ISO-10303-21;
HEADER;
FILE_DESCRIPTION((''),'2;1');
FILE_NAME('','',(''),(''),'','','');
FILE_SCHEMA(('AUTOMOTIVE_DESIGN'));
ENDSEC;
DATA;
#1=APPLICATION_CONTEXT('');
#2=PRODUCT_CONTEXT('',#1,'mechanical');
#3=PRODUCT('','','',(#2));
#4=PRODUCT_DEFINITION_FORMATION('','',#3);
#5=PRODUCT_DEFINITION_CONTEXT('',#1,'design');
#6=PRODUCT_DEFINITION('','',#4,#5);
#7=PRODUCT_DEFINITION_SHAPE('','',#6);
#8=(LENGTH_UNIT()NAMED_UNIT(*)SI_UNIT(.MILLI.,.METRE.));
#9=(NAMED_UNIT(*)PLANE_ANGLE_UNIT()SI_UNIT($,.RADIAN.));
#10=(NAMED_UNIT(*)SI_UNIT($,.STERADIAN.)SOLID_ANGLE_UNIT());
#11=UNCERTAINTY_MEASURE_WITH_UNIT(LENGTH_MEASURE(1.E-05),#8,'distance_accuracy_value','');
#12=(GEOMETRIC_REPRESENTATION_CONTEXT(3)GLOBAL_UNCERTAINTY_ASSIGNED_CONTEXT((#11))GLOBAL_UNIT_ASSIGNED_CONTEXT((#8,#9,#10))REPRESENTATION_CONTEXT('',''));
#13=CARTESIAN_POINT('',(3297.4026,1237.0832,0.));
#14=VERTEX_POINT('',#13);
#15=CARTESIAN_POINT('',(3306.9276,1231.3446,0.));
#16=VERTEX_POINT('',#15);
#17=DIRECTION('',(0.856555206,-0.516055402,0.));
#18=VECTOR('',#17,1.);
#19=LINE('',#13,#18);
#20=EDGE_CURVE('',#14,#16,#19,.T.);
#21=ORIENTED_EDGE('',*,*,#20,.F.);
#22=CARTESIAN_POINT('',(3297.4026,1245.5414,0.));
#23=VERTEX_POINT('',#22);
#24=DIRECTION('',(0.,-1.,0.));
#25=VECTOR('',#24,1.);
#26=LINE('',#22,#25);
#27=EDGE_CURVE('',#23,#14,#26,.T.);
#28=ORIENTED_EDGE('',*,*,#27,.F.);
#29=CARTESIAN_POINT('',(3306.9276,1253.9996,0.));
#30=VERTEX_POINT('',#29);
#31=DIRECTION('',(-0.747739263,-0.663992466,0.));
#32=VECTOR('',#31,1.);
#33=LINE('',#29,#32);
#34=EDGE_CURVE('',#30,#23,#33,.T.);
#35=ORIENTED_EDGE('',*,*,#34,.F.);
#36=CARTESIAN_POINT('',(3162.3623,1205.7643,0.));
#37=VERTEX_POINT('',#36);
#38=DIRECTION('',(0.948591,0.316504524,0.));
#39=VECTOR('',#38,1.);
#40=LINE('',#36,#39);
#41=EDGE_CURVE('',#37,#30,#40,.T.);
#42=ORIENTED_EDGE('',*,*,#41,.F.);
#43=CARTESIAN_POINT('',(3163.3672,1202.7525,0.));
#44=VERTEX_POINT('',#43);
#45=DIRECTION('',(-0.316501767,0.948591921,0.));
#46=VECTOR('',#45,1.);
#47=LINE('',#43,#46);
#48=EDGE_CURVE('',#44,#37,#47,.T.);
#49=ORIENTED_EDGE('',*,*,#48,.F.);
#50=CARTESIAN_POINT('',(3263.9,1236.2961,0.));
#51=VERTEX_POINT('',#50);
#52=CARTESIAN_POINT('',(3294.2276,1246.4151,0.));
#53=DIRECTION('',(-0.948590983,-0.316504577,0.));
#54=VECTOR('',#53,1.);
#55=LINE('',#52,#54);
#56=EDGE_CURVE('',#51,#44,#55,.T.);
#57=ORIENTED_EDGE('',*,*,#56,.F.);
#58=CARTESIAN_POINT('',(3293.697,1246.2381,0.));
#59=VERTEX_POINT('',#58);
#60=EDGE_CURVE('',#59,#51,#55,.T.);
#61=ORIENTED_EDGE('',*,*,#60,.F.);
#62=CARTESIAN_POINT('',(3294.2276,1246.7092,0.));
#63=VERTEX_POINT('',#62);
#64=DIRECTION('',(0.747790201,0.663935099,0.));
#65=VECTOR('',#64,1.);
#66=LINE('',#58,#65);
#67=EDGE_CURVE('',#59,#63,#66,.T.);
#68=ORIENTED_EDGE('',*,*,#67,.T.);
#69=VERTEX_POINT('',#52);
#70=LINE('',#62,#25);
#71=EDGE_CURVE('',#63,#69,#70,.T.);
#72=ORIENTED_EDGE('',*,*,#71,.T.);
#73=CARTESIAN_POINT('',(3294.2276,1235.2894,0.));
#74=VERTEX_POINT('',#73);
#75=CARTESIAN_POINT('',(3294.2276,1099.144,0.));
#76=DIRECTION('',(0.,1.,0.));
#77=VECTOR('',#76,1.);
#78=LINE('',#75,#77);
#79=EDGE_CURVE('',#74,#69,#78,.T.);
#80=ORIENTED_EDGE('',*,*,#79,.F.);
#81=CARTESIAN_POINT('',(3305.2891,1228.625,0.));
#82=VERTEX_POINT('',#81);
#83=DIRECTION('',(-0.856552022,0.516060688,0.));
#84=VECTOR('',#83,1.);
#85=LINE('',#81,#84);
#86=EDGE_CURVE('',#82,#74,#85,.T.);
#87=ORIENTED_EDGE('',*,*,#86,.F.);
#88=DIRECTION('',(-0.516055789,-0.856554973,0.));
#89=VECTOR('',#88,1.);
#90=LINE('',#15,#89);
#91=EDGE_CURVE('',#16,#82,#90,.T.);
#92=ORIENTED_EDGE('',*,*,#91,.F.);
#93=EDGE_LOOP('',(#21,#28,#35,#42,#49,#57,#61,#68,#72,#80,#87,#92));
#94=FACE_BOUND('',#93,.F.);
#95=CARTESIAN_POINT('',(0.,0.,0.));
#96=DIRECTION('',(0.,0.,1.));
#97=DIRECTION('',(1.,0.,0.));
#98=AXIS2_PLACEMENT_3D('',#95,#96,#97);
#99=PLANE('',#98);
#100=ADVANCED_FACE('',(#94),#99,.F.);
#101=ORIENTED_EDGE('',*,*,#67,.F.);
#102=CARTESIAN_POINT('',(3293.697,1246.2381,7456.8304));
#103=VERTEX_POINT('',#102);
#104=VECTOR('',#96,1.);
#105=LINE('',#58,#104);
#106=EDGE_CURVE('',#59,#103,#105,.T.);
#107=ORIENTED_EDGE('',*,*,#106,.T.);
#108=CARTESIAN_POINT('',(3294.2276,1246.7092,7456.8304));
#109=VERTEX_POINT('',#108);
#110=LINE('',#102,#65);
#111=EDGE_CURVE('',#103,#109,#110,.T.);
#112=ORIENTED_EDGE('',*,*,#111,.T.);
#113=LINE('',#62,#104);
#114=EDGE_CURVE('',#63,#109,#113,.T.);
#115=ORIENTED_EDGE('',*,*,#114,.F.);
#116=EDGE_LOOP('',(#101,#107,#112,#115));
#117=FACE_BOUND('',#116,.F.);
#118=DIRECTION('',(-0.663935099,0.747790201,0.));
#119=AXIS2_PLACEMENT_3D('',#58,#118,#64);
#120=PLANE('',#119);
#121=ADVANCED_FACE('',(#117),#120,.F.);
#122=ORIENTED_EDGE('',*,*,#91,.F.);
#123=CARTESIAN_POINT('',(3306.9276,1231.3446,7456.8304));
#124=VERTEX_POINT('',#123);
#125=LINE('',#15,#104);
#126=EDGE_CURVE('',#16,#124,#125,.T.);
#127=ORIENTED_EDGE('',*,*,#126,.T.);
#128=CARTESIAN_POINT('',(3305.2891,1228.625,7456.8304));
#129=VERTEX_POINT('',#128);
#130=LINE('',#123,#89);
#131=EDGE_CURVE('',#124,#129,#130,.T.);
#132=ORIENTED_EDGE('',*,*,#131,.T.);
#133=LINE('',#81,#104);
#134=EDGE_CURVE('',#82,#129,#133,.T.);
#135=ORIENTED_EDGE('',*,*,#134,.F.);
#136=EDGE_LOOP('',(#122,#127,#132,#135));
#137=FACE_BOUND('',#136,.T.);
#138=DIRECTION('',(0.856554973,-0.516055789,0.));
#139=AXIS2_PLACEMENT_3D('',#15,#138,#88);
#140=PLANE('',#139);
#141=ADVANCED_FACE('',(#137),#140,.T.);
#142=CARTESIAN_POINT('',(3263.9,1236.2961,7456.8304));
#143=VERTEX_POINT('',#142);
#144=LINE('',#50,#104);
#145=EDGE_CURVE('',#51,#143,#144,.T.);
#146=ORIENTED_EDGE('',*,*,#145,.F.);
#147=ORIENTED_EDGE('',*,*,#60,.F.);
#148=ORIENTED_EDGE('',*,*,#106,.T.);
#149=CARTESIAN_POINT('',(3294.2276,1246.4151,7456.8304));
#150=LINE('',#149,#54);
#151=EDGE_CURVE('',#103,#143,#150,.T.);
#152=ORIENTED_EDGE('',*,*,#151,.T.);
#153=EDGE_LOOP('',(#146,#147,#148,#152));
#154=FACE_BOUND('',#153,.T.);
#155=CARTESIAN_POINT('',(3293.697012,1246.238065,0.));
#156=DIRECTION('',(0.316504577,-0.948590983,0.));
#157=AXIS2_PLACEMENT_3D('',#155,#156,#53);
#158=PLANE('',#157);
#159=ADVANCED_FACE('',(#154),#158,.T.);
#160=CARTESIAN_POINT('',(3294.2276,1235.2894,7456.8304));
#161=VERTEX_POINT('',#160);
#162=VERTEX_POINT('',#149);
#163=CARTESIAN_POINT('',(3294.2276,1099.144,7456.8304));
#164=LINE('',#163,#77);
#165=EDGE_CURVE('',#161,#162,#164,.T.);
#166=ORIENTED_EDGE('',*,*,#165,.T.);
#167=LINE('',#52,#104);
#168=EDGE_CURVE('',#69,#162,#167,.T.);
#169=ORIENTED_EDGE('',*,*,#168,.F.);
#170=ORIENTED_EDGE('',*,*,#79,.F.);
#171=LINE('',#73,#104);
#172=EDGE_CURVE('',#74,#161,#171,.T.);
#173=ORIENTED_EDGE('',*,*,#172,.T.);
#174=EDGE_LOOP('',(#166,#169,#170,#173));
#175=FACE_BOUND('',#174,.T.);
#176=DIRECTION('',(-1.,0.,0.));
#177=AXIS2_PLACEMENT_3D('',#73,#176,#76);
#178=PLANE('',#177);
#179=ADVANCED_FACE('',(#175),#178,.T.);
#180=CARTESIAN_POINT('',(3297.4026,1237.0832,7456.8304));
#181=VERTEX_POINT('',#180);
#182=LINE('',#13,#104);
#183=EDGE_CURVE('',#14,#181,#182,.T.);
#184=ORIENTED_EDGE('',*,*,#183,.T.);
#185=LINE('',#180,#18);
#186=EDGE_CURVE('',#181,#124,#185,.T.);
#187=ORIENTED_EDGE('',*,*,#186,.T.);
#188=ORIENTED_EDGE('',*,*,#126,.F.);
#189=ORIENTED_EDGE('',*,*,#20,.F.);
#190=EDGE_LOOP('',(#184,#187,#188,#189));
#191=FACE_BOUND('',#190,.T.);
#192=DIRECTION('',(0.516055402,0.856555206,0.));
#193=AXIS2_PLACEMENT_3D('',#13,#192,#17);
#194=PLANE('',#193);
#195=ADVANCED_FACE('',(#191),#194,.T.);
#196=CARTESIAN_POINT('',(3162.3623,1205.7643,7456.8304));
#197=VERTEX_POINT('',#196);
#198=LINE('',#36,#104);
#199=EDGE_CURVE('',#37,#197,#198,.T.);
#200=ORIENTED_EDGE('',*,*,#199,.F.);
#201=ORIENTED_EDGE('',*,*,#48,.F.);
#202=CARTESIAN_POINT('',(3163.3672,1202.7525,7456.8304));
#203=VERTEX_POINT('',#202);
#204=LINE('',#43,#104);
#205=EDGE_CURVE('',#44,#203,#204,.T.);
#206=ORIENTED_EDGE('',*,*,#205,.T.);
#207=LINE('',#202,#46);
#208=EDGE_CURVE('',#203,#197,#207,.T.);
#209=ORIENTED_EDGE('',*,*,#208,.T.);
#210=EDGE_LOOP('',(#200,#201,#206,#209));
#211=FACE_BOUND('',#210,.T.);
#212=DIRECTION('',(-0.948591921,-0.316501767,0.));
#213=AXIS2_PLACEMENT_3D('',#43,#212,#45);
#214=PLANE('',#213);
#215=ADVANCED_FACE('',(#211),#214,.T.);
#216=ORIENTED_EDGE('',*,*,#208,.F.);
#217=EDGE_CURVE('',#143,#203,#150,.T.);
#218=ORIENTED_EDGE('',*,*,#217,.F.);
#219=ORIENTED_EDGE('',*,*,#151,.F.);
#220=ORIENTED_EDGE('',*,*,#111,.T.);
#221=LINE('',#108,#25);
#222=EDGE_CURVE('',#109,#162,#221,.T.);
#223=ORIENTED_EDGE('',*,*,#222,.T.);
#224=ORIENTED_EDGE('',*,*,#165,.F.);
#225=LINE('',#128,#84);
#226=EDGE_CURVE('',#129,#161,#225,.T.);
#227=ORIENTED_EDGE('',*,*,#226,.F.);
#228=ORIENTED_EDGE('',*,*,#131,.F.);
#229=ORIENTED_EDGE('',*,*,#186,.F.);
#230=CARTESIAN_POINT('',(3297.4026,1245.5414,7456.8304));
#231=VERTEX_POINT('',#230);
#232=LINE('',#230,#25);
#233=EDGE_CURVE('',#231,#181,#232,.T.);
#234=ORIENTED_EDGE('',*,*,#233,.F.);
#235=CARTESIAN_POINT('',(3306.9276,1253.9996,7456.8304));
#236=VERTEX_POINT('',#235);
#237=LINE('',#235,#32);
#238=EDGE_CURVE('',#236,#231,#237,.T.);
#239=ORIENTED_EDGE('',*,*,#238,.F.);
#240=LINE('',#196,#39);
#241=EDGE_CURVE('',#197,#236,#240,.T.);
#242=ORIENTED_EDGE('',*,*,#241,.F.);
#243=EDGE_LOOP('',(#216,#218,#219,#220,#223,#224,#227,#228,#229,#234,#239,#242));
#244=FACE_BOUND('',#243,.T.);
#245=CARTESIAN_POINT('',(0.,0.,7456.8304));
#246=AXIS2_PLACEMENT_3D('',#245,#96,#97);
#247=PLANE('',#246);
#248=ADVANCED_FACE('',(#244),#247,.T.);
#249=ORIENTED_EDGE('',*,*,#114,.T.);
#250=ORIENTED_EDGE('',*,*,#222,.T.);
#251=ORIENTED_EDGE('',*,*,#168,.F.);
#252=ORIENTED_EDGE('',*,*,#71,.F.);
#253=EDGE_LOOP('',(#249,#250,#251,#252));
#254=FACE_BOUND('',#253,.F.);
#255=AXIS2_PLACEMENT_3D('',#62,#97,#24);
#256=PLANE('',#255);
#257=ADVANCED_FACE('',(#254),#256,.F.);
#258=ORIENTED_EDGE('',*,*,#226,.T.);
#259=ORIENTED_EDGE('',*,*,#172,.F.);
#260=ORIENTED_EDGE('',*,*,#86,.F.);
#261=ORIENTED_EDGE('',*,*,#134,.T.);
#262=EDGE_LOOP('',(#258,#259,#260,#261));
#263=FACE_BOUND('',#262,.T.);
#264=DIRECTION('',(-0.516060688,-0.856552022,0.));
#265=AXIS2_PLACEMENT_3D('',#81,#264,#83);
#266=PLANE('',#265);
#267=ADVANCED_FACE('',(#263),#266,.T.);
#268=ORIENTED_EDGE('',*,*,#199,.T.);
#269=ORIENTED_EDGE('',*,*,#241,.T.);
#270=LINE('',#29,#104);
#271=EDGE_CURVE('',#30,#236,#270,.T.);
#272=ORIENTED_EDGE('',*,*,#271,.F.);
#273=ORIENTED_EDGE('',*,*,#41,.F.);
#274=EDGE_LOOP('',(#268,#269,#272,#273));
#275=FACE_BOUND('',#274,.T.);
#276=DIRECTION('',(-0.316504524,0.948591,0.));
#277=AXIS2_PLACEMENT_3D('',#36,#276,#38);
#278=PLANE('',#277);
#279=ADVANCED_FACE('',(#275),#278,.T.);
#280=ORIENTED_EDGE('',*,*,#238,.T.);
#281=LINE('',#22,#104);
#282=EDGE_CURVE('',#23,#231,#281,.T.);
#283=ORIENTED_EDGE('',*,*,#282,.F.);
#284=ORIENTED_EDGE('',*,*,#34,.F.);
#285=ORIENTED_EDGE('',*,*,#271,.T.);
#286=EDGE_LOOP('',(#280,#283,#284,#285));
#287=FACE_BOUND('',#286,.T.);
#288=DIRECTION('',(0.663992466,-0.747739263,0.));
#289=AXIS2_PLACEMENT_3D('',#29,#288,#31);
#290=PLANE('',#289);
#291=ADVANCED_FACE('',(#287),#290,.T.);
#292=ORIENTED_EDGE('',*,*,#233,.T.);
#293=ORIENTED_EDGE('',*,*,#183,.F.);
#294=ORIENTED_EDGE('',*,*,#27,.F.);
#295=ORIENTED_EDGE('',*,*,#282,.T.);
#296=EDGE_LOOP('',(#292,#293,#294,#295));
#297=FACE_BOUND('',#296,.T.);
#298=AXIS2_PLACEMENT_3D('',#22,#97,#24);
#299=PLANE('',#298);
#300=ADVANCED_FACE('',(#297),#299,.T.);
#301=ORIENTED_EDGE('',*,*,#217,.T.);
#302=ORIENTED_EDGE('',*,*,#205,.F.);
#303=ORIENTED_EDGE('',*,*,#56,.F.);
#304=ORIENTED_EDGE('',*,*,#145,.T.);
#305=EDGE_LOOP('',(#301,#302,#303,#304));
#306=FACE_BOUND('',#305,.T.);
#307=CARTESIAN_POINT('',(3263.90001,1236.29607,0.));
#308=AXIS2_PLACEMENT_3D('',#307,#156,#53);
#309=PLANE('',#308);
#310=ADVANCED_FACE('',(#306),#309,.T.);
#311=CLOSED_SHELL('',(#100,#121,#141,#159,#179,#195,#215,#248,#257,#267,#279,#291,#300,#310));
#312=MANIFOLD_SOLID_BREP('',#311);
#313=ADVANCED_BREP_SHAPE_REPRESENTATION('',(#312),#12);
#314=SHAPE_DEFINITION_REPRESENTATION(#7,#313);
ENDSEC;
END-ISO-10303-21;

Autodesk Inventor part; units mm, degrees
ref_plane "YZ Plane" through (0, 0, 0) normal (1, 0, 0) x (0, 1, 0)
ref_plane "XZ Plane" through (0, 0, 0) normal (0, 1, 0) x (-1, 0, 0)
ref_plane "XY Plane" through (0, 0, 0) normal (0, 0, 1) x (1, 0, 0)
sketch "Sketch1" plane through (0, 0, 0) normal (0, 0, 1) x (1, 0, 0)
  line L0 (0, 0) -> (3294.2276, 1099.144)
  line L1 (3294.2276, 1246.4151) -> (-135.0962, 102.1952)
  line L2 (0, 0) -> (-135.0962, 0)
  line L3 (-135.0962, 0) -> (-135.0962, 102.1952)
  line L4 (-135.0962, 102.1952) -> (1627.6312, 690.3426)
  line L5 (3294.2276, 1099.144) -> (3263.9, 1099.144)
  line L6 (3294.2276, 1099.144) -> (3294.2276, 1246.4151)
  line L7 (-88.9, 0) -> (-88.9, 117.6089)
  line L8 (3263.9, 1089.025) -> (3263.9, 1236.2961)
  line L9 (-135.0962, 102.1952) -> (-160.4962, 102.1952)
  line L10 (-160.4962, 102.1952) -> (-160.4962, 0)
  line L11 (-160.4962, 0) -> (-135.0962, 0)
  line L12 (-135.0962, 102.1952) -> (-140.1208, 117.2541)
  line L13 (-140.1208, 117.2541) -> (150.6173, 214.261)
  line L14 (150.6173, 214.261) -> (155.6418, 199.2021)
  line L15 (-27.6261, 154.7888) -> (-28.631, 157.8005)
  line L16 (-28.631, 157.8005) -> (-173.1962, 109.5652)
  line L17 (-173.1962, 109.5652) -> (-163.6712, 101.107)
  line L18 (-163.6712, 101.107) -> (-163.6712, 92.6488)
  line L19 (-163.6712, 92.6488) -> (-173.1962, 86.9102)
  line L20 (-171.5578, 84.1906) -> (-160.4962, 90.855)
  line L21 (-160.4962, 90.855) -> (-160.4962, 102.5338)
  line L22 (-160.4962, 102.5338) -> (-166.9808, 108.292)
  line L23 (-166.9808, 108.292) -> (-27.6261, 154.7888)
  line L24 (-171.5578, 84.1906) -> (-173.1962, 86.9102)
  line L25 (-173.1962, 109.5652) -> (-173.1962, 86.9102)
  line L26 (3163.3672, 1202.7525) -> (3162.3623, 1205.7643)
  line L27 (3162.3623, 1205.7643) -> (3306.9276, 1253.9996)
  line L28 (3163.3672, 1202.7525) -> (3293.697, 1246.2381)
  line L29 (3293.697, 1246.2381) -> (3294.2276, 1246.7092)
  line L30 (3306.9276, 1253.9996) -> (3297.4026, 1245.5414)
  line L31 (3297.4026, 1245.5414) -> (3297.4026, 1237.0832)
  line L32 (3294.2276, 1246.7092) -> (3294.2276, 1235.2894)
  line L33 (3297.4026, 1237.0832) -> (3306.9276, 1231.3446)
  line L34 (3306.9276, 1231.3446) -> (3305.2891, 1228.625)
  line L35 (3305.2891, 1228.625) -> (3294.2276, 1235.2894)
  line L36 (3306.9276, 1253.9996) -> (3306.9276, 1231.3446)
  point P0 (-160.4962, 90.855)
  point P1 (-160.4962, 101.4128)
  dimension "d5" = 139.7
  dimension "d17" = 88.9
  dimension "d19" = 3352.8
  dimension "d23" = 30.3276
  dimension "d28" = 46.1962
  dimension "d33" = 1089.025
  dimension "d36" = 25.4
  dimension "d37" = 15.875
  dimension "d49" = 3.175
  dimension "d50" = 3.175
  dimension "d51" = 3.175
  dimension "d52" = 3.175
  dimension "d54" = 8.4582
  dimension "d55" = 8.4582
  dimension "d61" = 8.4582
  dimension "d62" = 152.4
  dimension "d63" = 3.175
  dimension "d65" = 12.7
  dimension "d73" = 152.4
  dimension "d74" = 12.7
  dimension "d75" = 3.175
  dimension "d76" = 3.175
  dimension "d78" = 8.4582
  dimension "d79" = 8.4582
  dimension "d80" = 8.4582
extrude "Extrusion2" add sketch "Sketch1" along normal blind 7456.8304 contours L6 L32 L29 L1 L26 L27 L30 L31 L33 L34 L35
properties part number "Drip_Edge_For_Front" material "Aluminum 6061"
